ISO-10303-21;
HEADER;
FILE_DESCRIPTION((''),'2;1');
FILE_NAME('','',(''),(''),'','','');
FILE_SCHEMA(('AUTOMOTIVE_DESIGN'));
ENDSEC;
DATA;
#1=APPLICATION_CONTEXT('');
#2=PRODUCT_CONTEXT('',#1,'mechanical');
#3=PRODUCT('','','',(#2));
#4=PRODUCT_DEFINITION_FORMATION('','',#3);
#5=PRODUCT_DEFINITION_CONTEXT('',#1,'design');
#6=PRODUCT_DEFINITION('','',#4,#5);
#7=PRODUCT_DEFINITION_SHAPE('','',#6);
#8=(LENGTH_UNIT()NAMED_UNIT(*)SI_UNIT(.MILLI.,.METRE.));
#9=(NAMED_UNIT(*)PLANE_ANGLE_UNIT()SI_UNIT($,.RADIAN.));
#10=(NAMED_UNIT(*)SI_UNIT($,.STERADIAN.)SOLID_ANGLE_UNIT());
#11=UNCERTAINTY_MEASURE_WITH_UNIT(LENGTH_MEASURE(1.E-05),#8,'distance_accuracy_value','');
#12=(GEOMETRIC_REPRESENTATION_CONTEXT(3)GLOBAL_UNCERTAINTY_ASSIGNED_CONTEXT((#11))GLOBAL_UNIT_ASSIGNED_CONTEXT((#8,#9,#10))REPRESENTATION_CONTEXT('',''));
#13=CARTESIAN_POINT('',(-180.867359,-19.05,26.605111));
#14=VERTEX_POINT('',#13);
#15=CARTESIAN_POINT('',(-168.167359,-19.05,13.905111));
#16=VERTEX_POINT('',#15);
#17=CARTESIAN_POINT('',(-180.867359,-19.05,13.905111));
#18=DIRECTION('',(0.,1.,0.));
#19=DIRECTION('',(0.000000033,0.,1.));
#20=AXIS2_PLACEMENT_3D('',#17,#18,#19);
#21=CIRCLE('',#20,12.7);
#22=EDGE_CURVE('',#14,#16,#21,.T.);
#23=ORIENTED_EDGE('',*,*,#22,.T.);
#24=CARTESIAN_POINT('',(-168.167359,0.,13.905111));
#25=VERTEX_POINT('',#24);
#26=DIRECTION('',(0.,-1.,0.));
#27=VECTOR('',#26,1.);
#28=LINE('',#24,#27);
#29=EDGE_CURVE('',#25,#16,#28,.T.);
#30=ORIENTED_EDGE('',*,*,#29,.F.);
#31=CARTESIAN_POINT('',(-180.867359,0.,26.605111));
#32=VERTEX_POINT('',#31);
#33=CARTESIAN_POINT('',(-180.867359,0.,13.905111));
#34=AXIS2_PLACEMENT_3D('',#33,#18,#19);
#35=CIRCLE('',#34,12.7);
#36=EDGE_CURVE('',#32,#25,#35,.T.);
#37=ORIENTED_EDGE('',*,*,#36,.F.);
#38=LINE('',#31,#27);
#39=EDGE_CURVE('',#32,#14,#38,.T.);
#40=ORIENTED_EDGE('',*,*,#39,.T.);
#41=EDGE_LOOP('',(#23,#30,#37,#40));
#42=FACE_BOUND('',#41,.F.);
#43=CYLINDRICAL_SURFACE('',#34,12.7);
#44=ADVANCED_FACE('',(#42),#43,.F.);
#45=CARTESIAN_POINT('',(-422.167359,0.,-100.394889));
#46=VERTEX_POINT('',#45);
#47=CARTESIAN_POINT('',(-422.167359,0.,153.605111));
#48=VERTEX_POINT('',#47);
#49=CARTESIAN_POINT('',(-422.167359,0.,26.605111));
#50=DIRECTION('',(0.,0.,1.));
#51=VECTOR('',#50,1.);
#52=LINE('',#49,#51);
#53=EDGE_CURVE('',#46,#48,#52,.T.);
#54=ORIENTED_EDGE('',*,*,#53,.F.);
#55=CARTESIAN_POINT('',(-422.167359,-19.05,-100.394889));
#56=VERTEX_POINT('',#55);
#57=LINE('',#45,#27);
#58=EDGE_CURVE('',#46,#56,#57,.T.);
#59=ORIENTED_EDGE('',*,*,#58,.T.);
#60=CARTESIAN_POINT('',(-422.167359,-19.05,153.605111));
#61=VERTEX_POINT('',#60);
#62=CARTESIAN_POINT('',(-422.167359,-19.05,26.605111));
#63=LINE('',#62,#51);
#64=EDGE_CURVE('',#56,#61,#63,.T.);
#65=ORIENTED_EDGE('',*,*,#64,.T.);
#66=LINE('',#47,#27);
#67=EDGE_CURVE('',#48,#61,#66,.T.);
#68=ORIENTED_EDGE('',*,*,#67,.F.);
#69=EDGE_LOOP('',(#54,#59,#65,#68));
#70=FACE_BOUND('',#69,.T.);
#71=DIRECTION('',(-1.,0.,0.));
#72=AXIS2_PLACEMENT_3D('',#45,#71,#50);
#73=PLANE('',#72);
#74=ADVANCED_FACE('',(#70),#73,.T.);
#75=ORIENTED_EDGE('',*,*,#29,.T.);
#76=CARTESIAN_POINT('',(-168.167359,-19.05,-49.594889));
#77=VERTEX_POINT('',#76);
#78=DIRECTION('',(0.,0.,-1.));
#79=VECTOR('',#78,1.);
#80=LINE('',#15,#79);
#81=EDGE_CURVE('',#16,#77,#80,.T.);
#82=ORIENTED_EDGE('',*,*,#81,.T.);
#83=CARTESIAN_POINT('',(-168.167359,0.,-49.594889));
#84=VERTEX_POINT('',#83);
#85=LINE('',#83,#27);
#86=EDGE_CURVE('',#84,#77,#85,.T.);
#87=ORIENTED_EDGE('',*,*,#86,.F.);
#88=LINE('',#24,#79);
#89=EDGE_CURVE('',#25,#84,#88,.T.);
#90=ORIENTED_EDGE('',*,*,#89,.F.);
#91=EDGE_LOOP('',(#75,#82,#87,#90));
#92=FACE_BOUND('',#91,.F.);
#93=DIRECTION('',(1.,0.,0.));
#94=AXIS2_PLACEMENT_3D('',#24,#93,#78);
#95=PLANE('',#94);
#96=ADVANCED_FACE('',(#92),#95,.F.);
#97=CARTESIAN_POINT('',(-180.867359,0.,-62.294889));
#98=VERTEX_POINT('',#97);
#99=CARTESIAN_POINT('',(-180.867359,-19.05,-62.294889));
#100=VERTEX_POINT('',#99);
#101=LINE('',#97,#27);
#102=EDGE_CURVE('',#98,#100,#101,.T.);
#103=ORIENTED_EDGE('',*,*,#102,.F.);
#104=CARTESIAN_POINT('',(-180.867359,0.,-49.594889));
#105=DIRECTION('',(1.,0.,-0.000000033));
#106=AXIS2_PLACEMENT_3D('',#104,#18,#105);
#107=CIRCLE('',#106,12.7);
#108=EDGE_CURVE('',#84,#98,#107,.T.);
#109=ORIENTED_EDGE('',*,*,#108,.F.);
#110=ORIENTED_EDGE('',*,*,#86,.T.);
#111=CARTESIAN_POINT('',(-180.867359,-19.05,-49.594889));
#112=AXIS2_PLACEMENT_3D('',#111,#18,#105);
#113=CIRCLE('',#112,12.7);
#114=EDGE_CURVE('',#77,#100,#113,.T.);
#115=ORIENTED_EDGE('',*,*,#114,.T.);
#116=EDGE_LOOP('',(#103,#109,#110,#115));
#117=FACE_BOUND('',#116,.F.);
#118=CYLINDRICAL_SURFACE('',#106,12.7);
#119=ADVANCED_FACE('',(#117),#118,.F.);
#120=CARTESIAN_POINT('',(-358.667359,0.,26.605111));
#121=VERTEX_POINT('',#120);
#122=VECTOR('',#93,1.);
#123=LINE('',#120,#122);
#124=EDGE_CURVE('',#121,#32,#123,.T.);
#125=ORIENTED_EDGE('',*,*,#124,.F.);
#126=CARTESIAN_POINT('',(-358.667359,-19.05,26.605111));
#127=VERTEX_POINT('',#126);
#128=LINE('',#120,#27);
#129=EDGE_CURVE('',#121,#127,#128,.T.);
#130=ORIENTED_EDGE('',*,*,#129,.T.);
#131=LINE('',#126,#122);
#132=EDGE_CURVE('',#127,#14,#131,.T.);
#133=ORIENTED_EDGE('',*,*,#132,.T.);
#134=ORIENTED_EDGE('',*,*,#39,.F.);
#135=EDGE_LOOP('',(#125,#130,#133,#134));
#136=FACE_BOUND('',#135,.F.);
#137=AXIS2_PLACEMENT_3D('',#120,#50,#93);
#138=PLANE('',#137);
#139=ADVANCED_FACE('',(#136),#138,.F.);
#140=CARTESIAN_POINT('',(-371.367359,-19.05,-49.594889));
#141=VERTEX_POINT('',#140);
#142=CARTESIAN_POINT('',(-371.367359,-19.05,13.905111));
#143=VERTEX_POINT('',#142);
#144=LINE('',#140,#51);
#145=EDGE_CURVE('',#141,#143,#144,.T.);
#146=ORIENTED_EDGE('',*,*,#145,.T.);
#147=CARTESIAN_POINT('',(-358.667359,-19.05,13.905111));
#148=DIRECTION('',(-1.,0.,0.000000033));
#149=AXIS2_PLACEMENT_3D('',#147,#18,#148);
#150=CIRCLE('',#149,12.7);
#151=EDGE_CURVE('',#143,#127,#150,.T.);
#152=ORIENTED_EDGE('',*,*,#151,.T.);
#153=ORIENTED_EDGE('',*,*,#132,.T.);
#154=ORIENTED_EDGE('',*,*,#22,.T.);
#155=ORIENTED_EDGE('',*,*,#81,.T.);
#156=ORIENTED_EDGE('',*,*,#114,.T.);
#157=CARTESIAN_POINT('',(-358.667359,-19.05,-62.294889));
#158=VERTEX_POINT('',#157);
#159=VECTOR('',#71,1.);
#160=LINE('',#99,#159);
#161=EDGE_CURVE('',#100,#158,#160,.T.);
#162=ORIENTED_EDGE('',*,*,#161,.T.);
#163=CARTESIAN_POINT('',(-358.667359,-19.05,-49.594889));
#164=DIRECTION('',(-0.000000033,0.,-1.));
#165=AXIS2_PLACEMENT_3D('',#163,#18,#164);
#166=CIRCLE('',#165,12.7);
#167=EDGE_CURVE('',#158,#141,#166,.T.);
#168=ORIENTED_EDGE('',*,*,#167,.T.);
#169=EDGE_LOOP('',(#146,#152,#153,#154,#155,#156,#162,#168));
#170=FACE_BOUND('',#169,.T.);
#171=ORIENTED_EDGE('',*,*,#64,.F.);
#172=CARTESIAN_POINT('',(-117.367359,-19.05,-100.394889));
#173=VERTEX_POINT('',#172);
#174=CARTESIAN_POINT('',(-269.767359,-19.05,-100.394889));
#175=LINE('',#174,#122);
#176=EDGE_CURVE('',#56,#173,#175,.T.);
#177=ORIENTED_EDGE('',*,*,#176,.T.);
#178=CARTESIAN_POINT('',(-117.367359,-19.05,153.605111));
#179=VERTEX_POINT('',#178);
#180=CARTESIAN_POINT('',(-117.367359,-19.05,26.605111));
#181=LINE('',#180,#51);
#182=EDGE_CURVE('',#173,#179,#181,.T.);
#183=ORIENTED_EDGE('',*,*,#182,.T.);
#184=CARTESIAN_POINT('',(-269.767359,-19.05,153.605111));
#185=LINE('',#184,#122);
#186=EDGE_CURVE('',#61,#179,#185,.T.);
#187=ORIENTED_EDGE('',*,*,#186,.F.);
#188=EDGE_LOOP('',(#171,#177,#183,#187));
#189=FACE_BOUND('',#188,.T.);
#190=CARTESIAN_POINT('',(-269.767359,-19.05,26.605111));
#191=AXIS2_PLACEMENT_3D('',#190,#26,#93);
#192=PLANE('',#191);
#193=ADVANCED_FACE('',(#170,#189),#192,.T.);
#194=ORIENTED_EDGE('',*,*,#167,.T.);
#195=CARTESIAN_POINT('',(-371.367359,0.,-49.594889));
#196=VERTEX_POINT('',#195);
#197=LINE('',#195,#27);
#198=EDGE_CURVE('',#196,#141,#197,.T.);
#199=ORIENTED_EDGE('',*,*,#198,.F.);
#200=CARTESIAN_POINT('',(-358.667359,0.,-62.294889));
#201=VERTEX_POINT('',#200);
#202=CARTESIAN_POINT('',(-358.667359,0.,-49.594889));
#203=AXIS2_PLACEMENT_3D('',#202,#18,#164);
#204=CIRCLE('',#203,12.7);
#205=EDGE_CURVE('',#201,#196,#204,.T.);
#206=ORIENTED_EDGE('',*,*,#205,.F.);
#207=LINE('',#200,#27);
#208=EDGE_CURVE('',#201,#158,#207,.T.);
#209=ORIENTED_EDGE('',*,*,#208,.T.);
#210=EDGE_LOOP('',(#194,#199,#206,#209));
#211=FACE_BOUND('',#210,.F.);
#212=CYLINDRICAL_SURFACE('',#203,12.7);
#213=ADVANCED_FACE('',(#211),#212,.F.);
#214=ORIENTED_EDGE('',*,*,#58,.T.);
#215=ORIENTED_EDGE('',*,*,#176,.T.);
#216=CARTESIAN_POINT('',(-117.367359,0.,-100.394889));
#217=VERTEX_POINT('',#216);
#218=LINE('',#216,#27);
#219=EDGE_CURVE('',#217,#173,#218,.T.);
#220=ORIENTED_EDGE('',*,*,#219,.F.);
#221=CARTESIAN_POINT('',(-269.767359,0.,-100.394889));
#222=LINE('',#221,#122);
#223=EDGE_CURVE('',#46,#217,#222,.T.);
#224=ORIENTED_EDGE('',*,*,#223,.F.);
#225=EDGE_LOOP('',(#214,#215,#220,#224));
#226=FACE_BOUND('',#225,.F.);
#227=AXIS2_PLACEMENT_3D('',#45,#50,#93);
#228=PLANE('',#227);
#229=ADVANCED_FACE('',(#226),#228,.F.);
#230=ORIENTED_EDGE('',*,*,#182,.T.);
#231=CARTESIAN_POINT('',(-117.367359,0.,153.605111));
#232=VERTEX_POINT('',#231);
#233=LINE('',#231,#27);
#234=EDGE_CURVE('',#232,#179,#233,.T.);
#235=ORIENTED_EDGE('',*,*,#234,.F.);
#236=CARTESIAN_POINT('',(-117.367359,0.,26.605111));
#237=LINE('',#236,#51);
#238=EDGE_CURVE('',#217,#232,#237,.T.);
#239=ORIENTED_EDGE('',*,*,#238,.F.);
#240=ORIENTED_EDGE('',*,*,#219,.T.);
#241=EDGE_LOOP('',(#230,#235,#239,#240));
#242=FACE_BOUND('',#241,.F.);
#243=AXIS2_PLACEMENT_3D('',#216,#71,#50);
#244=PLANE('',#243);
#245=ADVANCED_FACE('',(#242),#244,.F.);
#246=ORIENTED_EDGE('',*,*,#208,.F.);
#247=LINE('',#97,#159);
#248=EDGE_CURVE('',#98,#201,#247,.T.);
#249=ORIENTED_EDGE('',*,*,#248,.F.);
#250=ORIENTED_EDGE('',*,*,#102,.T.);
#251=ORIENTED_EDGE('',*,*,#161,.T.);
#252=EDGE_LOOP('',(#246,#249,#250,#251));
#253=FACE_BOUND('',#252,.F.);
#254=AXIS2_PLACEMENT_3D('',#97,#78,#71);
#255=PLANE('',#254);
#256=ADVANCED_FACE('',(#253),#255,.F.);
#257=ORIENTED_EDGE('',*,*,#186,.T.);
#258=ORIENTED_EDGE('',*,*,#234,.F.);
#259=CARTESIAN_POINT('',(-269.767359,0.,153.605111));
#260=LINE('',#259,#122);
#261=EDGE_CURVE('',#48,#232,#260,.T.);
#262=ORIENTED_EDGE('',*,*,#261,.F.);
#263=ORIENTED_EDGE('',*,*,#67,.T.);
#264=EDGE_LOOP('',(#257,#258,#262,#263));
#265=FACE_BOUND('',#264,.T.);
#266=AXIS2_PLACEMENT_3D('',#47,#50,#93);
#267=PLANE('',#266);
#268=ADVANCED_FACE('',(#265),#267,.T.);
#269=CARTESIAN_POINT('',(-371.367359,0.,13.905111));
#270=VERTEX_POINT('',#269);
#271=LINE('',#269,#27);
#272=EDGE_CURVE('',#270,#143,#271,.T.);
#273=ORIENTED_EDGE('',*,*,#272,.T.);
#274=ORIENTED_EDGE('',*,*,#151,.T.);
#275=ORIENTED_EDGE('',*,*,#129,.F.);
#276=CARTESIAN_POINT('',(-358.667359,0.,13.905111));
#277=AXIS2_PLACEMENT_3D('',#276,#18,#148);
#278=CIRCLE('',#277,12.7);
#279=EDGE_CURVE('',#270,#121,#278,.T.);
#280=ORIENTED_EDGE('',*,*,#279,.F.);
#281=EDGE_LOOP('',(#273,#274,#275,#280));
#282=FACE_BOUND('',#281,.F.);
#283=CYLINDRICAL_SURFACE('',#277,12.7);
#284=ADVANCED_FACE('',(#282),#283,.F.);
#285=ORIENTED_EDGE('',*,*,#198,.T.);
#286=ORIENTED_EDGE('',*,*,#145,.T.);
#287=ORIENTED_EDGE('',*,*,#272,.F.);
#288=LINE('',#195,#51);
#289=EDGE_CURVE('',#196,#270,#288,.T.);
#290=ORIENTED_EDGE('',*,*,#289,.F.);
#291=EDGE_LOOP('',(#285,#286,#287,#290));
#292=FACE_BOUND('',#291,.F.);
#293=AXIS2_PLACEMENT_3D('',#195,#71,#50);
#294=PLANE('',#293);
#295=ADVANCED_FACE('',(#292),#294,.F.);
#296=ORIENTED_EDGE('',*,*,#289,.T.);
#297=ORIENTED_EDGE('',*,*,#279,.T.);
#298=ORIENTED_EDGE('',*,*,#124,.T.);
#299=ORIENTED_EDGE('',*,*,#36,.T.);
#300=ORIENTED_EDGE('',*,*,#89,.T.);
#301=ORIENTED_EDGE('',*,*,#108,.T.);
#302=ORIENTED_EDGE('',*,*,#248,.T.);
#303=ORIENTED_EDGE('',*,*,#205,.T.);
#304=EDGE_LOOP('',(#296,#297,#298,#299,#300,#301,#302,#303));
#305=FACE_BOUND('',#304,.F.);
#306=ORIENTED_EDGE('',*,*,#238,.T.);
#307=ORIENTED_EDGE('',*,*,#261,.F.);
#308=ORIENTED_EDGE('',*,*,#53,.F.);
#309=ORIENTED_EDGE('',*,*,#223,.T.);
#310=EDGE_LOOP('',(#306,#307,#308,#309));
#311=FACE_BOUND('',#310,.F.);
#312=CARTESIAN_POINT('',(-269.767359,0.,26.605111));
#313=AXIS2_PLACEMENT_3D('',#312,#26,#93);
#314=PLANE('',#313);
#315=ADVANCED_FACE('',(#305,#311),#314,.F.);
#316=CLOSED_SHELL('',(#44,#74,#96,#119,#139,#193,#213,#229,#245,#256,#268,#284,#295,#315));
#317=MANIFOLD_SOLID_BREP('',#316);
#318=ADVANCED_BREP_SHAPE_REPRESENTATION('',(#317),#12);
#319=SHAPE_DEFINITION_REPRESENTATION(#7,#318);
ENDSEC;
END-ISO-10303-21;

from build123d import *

# Parameters (mm, degrees)
F0_W     = 304.8
F0_H     = 254
F1_DEPTH = 19.05


with BuildPart() as f1:
    # F0 (on Front) → F1 (new body)
    with BuildSketch(Plane.XZ):
        with Locations((-269.767359, 26.605111)):
            Rectangle(F0_W, F0_H)
        with BuildLine():
            ThreePointArc((-371.367359, 13.905111), (-367.647615, 22.885367), (-358.667359, 26.605111))
            Line((-358.667359, 26.605111), (-180.867359, 26.605111))
            ThreePointArc((-180.867359, 26.605111), (-171.887103, 22.885367), (-168.167359, 13.905111))
            Line((-168.167359, 13.905111), (-168.167359, -49.594889))
            ThreePointArc((-168.167359, -49.594889), (-171.887103, -58.575145), (-180.867359, -62.294889))
            Line((-180.867359, -62.294889), (-358.667359, -62.294889))
            ThreePointArc((-358.667359, -62.294889), (-367.647615, -58.575145), (-371.367359, -49.594889))
            Line((-371.367359, -49.594889), (-371.367359, 13.905111))
        make_face(mode=Mode.SUBTRACT)
    extrude(amount=F1_DEPTH)


solid = f1.part
